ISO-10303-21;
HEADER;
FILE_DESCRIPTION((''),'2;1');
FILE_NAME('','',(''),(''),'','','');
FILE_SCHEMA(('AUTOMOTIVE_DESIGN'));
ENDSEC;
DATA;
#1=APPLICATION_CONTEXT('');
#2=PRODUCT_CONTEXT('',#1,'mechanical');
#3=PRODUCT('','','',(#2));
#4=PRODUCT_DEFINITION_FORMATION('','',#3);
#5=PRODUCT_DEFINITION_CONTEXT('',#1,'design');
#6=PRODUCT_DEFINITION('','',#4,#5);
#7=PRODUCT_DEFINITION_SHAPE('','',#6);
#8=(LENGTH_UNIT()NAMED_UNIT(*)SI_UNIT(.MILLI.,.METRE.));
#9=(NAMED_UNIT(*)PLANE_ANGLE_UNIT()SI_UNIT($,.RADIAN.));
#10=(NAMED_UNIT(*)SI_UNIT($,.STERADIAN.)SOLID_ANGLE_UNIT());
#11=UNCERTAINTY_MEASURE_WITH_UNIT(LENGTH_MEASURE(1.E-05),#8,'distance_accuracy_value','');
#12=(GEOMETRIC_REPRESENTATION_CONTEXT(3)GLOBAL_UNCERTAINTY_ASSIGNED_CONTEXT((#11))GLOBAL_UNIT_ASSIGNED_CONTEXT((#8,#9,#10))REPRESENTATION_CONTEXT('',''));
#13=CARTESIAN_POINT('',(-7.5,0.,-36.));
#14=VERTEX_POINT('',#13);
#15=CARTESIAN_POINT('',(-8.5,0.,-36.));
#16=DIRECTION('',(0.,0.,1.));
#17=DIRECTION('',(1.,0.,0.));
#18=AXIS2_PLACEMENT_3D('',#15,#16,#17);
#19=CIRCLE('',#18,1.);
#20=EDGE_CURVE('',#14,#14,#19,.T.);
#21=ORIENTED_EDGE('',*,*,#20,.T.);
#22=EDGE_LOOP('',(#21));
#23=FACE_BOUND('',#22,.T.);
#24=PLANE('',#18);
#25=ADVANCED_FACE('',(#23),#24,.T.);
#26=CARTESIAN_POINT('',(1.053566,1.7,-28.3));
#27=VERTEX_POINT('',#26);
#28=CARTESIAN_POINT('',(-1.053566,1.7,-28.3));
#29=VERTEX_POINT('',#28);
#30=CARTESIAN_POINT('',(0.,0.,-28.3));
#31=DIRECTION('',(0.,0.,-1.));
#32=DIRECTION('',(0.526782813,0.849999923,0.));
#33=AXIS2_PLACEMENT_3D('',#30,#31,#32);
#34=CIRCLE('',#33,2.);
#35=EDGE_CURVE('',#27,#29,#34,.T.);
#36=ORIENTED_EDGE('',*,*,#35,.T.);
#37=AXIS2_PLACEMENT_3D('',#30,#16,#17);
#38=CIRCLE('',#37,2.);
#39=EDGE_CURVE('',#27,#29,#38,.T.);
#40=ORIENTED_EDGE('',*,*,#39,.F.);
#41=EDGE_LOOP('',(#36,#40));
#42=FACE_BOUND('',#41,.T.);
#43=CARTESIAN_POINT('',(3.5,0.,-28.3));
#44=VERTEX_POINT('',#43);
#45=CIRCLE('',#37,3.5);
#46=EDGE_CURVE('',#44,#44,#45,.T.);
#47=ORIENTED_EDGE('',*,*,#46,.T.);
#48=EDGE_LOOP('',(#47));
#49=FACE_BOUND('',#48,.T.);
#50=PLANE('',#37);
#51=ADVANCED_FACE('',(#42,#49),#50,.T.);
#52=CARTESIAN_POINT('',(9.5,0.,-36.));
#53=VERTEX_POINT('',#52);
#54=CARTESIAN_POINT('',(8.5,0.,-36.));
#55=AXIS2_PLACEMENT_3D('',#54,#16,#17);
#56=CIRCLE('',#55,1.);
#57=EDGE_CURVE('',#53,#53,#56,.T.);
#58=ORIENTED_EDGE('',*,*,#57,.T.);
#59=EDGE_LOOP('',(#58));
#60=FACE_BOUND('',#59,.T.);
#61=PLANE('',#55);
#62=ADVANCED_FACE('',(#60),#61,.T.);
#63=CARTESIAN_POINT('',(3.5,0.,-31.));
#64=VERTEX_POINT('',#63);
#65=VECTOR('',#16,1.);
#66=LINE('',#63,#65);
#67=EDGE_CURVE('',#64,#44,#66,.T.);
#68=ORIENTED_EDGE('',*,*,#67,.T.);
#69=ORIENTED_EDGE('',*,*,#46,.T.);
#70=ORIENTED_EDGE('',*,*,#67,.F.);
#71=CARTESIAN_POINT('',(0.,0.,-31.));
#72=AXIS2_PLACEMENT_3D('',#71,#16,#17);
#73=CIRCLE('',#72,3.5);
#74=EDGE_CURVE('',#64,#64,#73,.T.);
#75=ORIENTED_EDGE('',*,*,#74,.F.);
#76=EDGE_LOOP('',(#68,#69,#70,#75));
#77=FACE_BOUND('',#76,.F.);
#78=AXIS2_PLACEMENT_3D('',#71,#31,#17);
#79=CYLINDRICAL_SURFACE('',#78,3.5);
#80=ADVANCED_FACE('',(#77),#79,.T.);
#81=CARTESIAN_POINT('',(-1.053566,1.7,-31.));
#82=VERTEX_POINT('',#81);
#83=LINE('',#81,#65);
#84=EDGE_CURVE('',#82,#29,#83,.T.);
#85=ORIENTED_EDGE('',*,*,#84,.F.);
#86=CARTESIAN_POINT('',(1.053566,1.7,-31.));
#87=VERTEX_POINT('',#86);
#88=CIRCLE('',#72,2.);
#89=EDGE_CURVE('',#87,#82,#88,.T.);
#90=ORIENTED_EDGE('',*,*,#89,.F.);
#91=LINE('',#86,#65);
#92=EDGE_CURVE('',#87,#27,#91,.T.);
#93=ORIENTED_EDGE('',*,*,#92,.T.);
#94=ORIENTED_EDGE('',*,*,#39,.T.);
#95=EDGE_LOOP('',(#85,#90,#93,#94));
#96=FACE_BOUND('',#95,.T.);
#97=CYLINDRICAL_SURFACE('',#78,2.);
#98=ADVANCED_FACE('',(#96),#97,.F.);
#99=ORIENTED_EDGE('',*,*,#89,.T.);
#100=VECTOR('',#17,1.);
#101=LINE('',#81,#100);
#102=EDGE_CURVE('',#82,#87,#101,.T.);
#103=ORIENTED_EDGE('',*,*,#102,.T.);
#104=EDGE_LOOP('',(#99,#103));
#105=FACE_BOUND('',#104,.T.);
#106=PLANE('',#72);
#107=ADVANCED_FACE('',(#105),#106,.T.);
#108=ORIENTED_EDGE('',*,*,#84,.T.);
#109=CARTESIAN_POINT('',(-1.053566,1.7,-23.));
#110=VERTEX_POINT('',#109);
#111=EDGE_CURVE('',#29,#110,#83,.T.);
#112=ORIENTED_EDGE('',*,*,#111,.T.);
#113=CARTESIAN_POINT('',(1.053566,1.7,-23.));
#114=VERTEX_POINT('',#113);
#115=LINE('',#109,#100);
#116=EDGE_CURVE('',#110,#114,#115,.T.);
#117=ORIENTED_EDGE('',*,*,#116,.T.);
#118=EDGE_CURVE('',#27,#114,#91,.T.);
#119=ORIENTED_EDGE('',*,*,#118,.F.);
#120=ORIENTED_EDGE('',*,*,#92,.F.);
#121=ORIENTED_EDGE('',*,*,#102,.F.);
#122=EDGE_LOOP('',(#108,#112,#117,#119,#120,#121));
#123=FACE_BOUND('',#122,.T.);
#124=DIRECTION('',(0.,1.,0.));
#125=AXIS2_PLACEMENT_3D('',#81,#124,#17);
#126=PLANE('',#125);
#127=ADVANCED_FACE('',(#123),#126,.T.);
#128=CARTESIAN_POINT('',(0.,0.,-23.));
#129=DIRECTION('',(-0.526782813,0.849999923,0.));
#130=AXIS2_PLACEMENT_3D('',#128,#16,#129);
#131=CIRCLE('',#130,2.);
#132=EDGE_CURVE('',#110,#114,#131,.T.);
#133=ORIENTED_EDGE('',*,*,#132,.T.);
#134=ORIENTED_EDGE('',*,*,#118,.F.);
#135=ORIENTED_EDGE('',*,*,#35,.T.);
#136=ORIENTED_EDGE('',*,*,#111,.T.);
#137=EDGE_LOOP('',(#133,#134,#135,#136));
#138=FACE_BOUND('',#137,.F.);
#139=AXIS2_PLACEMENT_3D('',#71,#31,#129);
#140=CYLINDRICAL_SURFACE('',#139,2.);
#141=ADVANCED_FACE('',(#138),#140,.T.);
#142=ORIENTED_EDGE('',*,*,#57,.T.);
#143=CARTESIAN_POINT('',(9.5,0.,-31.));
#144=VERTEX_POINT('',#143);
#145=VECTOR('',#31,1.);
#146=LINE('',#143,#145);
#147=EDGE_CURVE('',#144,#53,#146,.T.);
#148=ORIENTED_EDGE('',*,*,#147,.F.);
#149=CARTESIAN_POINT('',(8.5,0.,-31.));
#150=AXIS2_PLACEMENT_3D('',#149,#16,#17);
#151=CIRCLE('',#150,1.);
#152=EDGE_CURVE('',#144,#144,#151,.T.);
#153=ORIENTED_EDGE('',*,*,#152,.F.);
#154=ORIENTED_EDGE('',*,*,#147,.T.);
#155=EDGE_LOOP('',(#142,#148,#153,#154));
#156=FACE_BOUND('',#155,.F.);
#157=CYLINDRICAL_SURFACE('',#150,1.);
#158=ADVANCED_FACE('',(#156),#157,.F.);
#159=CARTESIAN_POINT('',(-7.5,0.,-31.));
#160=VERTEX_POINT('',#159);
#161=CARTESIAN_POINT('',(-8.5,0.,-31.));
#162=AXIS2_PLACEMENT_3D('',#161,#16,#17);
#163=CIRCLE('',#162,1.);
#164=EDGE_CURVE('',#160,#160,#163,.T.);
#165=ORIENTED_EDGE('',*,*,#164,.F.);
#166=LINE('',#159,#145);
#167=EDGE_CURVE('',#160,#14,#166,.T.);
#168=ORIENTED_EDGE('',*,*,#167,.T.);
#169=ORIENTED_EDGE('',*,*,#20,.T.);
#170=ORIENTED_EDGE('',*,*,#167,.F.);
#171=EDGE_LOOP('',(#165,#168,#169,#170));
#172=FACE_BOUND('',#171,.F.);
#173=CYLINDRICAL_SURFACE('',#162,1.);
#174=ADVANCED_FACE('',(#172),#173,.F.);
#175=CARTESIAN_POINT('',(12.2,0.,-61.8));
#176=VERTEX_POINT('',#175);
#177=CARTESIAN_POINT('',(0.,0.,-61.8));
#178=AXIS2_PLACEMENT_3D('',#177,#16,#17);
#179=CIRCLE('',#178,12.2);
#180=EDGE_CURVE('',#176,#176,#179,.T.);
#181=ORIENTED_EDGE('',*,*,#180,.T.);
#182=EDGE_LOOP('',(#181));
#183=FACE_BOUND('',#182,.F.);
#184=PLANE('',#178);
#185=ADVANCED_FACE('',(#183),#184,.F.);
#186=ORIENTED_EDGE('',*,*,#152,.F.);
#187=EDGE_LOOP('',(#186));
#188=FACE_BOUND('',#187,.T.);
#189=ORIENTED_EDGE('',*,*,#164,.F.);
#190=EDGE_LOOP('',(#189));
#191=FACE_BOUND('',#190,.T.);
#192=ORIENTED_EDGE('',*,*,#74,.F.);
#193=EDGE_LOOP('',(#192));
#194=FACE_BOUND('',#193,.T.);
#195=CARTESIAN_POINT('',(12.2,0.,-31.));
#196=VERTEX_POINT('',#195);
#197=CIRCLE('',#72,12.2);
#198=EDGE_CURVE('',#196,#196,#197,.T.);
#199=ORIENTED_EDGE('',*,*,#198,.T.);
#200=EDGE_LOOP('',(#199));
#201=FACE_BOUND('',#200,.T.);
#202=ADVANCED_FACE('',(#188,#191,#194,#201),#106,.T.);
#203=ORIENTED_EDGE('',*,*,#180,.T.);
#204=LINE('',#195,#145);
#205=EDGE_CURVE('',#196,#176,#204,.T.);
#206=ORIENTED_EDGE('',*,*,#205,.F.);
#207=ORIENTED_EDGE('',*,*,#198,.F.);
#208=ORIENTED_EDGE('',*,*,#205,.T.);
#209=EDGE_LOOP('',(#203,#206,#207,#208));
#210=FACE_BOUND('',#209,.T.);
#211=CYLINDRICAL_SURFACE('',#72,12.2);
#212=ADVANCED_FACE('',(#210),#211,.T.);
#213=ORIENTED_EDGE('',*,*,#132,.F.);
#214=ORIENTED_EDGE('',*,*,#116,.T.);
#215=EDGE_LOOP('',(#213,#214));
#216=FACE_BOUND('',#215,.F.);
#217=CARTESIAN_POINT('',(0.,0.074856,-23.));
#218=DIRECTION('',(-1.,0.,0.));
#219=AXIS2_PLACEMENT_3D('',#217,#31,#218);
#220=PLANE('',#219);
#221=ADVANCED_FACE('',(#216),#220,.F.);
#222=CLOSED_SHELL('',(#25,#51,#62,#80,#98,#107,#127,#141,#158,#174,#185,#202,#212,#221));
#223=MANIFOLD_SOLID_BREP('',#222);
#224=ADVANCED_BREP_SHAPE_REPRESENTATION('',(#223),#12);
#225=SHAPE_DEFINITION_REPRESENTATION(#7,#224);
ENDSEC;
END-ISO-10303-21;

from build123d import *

# Parameters (mm, degrees)
SKETCH012_R     = 12.2
PAD010_DEPTH    = 30.8
PAD011_DEPTH    = 8
SKETCH014_R     = 1
POCKET002_DEPTH = 5
SKETCH015_R     = 3.5
SKETCH015_R_2   = 2
PAD012_DEPTH    = 2.7


with BuildPart() as part:
    # Sketch012 → Pad010 (new body)
    with BuildSketch(Plane.XY):
        Circle(SKETCH012_R)
    extrude(amount=-PAD010_DEPTH)

    # Sketch013 → Pad011 (join)
    with BuildSketch(Plane.XY):
        with BuildLine():
            Line((-1.0535656252, 1.6999998451), (1.0535656252, 1.6999998451))
            ThreePointArc((0, -2), (1.9235383659, -0.5477226989), (1.0535656252, 1.6999998451))
            ThreePointArc((-1.0535656252, 1.6999998451), (-1.9235383659, -0.5477226989), (0, -2))
        make_face()
    extrude(amount=PAD011_DEPTH)

    # Sketch014 (on Face2 of Pad011) → Pocket002 (cut)
    with BuildSketch(Plane.XY):
        with Locations((-8.5, 0)):
            Circle(SKETCH014_R)
        with Locations((8.5, 0)):
            Circle(SKETCH014_R)
    extrude(amount=-POCKET002_DEPTH, mode=Mode.SUBTRACT)

    # Sketch015 (on Face2 of Pocket002) → Pad012 (join)
    with BuildSketch(Plane.XY):
        Circle(SKETCH015_R)
        Circle(SKETCH015_R_2, mode=Mode.SUBTRACT)
    extrude(amount=PAD012_DEPTH)


with BuildPart() as part_1:
    # Body003 placement: moved
    add(part.part.moved(Location((0, 0, -31))))


solid = part_1.part
